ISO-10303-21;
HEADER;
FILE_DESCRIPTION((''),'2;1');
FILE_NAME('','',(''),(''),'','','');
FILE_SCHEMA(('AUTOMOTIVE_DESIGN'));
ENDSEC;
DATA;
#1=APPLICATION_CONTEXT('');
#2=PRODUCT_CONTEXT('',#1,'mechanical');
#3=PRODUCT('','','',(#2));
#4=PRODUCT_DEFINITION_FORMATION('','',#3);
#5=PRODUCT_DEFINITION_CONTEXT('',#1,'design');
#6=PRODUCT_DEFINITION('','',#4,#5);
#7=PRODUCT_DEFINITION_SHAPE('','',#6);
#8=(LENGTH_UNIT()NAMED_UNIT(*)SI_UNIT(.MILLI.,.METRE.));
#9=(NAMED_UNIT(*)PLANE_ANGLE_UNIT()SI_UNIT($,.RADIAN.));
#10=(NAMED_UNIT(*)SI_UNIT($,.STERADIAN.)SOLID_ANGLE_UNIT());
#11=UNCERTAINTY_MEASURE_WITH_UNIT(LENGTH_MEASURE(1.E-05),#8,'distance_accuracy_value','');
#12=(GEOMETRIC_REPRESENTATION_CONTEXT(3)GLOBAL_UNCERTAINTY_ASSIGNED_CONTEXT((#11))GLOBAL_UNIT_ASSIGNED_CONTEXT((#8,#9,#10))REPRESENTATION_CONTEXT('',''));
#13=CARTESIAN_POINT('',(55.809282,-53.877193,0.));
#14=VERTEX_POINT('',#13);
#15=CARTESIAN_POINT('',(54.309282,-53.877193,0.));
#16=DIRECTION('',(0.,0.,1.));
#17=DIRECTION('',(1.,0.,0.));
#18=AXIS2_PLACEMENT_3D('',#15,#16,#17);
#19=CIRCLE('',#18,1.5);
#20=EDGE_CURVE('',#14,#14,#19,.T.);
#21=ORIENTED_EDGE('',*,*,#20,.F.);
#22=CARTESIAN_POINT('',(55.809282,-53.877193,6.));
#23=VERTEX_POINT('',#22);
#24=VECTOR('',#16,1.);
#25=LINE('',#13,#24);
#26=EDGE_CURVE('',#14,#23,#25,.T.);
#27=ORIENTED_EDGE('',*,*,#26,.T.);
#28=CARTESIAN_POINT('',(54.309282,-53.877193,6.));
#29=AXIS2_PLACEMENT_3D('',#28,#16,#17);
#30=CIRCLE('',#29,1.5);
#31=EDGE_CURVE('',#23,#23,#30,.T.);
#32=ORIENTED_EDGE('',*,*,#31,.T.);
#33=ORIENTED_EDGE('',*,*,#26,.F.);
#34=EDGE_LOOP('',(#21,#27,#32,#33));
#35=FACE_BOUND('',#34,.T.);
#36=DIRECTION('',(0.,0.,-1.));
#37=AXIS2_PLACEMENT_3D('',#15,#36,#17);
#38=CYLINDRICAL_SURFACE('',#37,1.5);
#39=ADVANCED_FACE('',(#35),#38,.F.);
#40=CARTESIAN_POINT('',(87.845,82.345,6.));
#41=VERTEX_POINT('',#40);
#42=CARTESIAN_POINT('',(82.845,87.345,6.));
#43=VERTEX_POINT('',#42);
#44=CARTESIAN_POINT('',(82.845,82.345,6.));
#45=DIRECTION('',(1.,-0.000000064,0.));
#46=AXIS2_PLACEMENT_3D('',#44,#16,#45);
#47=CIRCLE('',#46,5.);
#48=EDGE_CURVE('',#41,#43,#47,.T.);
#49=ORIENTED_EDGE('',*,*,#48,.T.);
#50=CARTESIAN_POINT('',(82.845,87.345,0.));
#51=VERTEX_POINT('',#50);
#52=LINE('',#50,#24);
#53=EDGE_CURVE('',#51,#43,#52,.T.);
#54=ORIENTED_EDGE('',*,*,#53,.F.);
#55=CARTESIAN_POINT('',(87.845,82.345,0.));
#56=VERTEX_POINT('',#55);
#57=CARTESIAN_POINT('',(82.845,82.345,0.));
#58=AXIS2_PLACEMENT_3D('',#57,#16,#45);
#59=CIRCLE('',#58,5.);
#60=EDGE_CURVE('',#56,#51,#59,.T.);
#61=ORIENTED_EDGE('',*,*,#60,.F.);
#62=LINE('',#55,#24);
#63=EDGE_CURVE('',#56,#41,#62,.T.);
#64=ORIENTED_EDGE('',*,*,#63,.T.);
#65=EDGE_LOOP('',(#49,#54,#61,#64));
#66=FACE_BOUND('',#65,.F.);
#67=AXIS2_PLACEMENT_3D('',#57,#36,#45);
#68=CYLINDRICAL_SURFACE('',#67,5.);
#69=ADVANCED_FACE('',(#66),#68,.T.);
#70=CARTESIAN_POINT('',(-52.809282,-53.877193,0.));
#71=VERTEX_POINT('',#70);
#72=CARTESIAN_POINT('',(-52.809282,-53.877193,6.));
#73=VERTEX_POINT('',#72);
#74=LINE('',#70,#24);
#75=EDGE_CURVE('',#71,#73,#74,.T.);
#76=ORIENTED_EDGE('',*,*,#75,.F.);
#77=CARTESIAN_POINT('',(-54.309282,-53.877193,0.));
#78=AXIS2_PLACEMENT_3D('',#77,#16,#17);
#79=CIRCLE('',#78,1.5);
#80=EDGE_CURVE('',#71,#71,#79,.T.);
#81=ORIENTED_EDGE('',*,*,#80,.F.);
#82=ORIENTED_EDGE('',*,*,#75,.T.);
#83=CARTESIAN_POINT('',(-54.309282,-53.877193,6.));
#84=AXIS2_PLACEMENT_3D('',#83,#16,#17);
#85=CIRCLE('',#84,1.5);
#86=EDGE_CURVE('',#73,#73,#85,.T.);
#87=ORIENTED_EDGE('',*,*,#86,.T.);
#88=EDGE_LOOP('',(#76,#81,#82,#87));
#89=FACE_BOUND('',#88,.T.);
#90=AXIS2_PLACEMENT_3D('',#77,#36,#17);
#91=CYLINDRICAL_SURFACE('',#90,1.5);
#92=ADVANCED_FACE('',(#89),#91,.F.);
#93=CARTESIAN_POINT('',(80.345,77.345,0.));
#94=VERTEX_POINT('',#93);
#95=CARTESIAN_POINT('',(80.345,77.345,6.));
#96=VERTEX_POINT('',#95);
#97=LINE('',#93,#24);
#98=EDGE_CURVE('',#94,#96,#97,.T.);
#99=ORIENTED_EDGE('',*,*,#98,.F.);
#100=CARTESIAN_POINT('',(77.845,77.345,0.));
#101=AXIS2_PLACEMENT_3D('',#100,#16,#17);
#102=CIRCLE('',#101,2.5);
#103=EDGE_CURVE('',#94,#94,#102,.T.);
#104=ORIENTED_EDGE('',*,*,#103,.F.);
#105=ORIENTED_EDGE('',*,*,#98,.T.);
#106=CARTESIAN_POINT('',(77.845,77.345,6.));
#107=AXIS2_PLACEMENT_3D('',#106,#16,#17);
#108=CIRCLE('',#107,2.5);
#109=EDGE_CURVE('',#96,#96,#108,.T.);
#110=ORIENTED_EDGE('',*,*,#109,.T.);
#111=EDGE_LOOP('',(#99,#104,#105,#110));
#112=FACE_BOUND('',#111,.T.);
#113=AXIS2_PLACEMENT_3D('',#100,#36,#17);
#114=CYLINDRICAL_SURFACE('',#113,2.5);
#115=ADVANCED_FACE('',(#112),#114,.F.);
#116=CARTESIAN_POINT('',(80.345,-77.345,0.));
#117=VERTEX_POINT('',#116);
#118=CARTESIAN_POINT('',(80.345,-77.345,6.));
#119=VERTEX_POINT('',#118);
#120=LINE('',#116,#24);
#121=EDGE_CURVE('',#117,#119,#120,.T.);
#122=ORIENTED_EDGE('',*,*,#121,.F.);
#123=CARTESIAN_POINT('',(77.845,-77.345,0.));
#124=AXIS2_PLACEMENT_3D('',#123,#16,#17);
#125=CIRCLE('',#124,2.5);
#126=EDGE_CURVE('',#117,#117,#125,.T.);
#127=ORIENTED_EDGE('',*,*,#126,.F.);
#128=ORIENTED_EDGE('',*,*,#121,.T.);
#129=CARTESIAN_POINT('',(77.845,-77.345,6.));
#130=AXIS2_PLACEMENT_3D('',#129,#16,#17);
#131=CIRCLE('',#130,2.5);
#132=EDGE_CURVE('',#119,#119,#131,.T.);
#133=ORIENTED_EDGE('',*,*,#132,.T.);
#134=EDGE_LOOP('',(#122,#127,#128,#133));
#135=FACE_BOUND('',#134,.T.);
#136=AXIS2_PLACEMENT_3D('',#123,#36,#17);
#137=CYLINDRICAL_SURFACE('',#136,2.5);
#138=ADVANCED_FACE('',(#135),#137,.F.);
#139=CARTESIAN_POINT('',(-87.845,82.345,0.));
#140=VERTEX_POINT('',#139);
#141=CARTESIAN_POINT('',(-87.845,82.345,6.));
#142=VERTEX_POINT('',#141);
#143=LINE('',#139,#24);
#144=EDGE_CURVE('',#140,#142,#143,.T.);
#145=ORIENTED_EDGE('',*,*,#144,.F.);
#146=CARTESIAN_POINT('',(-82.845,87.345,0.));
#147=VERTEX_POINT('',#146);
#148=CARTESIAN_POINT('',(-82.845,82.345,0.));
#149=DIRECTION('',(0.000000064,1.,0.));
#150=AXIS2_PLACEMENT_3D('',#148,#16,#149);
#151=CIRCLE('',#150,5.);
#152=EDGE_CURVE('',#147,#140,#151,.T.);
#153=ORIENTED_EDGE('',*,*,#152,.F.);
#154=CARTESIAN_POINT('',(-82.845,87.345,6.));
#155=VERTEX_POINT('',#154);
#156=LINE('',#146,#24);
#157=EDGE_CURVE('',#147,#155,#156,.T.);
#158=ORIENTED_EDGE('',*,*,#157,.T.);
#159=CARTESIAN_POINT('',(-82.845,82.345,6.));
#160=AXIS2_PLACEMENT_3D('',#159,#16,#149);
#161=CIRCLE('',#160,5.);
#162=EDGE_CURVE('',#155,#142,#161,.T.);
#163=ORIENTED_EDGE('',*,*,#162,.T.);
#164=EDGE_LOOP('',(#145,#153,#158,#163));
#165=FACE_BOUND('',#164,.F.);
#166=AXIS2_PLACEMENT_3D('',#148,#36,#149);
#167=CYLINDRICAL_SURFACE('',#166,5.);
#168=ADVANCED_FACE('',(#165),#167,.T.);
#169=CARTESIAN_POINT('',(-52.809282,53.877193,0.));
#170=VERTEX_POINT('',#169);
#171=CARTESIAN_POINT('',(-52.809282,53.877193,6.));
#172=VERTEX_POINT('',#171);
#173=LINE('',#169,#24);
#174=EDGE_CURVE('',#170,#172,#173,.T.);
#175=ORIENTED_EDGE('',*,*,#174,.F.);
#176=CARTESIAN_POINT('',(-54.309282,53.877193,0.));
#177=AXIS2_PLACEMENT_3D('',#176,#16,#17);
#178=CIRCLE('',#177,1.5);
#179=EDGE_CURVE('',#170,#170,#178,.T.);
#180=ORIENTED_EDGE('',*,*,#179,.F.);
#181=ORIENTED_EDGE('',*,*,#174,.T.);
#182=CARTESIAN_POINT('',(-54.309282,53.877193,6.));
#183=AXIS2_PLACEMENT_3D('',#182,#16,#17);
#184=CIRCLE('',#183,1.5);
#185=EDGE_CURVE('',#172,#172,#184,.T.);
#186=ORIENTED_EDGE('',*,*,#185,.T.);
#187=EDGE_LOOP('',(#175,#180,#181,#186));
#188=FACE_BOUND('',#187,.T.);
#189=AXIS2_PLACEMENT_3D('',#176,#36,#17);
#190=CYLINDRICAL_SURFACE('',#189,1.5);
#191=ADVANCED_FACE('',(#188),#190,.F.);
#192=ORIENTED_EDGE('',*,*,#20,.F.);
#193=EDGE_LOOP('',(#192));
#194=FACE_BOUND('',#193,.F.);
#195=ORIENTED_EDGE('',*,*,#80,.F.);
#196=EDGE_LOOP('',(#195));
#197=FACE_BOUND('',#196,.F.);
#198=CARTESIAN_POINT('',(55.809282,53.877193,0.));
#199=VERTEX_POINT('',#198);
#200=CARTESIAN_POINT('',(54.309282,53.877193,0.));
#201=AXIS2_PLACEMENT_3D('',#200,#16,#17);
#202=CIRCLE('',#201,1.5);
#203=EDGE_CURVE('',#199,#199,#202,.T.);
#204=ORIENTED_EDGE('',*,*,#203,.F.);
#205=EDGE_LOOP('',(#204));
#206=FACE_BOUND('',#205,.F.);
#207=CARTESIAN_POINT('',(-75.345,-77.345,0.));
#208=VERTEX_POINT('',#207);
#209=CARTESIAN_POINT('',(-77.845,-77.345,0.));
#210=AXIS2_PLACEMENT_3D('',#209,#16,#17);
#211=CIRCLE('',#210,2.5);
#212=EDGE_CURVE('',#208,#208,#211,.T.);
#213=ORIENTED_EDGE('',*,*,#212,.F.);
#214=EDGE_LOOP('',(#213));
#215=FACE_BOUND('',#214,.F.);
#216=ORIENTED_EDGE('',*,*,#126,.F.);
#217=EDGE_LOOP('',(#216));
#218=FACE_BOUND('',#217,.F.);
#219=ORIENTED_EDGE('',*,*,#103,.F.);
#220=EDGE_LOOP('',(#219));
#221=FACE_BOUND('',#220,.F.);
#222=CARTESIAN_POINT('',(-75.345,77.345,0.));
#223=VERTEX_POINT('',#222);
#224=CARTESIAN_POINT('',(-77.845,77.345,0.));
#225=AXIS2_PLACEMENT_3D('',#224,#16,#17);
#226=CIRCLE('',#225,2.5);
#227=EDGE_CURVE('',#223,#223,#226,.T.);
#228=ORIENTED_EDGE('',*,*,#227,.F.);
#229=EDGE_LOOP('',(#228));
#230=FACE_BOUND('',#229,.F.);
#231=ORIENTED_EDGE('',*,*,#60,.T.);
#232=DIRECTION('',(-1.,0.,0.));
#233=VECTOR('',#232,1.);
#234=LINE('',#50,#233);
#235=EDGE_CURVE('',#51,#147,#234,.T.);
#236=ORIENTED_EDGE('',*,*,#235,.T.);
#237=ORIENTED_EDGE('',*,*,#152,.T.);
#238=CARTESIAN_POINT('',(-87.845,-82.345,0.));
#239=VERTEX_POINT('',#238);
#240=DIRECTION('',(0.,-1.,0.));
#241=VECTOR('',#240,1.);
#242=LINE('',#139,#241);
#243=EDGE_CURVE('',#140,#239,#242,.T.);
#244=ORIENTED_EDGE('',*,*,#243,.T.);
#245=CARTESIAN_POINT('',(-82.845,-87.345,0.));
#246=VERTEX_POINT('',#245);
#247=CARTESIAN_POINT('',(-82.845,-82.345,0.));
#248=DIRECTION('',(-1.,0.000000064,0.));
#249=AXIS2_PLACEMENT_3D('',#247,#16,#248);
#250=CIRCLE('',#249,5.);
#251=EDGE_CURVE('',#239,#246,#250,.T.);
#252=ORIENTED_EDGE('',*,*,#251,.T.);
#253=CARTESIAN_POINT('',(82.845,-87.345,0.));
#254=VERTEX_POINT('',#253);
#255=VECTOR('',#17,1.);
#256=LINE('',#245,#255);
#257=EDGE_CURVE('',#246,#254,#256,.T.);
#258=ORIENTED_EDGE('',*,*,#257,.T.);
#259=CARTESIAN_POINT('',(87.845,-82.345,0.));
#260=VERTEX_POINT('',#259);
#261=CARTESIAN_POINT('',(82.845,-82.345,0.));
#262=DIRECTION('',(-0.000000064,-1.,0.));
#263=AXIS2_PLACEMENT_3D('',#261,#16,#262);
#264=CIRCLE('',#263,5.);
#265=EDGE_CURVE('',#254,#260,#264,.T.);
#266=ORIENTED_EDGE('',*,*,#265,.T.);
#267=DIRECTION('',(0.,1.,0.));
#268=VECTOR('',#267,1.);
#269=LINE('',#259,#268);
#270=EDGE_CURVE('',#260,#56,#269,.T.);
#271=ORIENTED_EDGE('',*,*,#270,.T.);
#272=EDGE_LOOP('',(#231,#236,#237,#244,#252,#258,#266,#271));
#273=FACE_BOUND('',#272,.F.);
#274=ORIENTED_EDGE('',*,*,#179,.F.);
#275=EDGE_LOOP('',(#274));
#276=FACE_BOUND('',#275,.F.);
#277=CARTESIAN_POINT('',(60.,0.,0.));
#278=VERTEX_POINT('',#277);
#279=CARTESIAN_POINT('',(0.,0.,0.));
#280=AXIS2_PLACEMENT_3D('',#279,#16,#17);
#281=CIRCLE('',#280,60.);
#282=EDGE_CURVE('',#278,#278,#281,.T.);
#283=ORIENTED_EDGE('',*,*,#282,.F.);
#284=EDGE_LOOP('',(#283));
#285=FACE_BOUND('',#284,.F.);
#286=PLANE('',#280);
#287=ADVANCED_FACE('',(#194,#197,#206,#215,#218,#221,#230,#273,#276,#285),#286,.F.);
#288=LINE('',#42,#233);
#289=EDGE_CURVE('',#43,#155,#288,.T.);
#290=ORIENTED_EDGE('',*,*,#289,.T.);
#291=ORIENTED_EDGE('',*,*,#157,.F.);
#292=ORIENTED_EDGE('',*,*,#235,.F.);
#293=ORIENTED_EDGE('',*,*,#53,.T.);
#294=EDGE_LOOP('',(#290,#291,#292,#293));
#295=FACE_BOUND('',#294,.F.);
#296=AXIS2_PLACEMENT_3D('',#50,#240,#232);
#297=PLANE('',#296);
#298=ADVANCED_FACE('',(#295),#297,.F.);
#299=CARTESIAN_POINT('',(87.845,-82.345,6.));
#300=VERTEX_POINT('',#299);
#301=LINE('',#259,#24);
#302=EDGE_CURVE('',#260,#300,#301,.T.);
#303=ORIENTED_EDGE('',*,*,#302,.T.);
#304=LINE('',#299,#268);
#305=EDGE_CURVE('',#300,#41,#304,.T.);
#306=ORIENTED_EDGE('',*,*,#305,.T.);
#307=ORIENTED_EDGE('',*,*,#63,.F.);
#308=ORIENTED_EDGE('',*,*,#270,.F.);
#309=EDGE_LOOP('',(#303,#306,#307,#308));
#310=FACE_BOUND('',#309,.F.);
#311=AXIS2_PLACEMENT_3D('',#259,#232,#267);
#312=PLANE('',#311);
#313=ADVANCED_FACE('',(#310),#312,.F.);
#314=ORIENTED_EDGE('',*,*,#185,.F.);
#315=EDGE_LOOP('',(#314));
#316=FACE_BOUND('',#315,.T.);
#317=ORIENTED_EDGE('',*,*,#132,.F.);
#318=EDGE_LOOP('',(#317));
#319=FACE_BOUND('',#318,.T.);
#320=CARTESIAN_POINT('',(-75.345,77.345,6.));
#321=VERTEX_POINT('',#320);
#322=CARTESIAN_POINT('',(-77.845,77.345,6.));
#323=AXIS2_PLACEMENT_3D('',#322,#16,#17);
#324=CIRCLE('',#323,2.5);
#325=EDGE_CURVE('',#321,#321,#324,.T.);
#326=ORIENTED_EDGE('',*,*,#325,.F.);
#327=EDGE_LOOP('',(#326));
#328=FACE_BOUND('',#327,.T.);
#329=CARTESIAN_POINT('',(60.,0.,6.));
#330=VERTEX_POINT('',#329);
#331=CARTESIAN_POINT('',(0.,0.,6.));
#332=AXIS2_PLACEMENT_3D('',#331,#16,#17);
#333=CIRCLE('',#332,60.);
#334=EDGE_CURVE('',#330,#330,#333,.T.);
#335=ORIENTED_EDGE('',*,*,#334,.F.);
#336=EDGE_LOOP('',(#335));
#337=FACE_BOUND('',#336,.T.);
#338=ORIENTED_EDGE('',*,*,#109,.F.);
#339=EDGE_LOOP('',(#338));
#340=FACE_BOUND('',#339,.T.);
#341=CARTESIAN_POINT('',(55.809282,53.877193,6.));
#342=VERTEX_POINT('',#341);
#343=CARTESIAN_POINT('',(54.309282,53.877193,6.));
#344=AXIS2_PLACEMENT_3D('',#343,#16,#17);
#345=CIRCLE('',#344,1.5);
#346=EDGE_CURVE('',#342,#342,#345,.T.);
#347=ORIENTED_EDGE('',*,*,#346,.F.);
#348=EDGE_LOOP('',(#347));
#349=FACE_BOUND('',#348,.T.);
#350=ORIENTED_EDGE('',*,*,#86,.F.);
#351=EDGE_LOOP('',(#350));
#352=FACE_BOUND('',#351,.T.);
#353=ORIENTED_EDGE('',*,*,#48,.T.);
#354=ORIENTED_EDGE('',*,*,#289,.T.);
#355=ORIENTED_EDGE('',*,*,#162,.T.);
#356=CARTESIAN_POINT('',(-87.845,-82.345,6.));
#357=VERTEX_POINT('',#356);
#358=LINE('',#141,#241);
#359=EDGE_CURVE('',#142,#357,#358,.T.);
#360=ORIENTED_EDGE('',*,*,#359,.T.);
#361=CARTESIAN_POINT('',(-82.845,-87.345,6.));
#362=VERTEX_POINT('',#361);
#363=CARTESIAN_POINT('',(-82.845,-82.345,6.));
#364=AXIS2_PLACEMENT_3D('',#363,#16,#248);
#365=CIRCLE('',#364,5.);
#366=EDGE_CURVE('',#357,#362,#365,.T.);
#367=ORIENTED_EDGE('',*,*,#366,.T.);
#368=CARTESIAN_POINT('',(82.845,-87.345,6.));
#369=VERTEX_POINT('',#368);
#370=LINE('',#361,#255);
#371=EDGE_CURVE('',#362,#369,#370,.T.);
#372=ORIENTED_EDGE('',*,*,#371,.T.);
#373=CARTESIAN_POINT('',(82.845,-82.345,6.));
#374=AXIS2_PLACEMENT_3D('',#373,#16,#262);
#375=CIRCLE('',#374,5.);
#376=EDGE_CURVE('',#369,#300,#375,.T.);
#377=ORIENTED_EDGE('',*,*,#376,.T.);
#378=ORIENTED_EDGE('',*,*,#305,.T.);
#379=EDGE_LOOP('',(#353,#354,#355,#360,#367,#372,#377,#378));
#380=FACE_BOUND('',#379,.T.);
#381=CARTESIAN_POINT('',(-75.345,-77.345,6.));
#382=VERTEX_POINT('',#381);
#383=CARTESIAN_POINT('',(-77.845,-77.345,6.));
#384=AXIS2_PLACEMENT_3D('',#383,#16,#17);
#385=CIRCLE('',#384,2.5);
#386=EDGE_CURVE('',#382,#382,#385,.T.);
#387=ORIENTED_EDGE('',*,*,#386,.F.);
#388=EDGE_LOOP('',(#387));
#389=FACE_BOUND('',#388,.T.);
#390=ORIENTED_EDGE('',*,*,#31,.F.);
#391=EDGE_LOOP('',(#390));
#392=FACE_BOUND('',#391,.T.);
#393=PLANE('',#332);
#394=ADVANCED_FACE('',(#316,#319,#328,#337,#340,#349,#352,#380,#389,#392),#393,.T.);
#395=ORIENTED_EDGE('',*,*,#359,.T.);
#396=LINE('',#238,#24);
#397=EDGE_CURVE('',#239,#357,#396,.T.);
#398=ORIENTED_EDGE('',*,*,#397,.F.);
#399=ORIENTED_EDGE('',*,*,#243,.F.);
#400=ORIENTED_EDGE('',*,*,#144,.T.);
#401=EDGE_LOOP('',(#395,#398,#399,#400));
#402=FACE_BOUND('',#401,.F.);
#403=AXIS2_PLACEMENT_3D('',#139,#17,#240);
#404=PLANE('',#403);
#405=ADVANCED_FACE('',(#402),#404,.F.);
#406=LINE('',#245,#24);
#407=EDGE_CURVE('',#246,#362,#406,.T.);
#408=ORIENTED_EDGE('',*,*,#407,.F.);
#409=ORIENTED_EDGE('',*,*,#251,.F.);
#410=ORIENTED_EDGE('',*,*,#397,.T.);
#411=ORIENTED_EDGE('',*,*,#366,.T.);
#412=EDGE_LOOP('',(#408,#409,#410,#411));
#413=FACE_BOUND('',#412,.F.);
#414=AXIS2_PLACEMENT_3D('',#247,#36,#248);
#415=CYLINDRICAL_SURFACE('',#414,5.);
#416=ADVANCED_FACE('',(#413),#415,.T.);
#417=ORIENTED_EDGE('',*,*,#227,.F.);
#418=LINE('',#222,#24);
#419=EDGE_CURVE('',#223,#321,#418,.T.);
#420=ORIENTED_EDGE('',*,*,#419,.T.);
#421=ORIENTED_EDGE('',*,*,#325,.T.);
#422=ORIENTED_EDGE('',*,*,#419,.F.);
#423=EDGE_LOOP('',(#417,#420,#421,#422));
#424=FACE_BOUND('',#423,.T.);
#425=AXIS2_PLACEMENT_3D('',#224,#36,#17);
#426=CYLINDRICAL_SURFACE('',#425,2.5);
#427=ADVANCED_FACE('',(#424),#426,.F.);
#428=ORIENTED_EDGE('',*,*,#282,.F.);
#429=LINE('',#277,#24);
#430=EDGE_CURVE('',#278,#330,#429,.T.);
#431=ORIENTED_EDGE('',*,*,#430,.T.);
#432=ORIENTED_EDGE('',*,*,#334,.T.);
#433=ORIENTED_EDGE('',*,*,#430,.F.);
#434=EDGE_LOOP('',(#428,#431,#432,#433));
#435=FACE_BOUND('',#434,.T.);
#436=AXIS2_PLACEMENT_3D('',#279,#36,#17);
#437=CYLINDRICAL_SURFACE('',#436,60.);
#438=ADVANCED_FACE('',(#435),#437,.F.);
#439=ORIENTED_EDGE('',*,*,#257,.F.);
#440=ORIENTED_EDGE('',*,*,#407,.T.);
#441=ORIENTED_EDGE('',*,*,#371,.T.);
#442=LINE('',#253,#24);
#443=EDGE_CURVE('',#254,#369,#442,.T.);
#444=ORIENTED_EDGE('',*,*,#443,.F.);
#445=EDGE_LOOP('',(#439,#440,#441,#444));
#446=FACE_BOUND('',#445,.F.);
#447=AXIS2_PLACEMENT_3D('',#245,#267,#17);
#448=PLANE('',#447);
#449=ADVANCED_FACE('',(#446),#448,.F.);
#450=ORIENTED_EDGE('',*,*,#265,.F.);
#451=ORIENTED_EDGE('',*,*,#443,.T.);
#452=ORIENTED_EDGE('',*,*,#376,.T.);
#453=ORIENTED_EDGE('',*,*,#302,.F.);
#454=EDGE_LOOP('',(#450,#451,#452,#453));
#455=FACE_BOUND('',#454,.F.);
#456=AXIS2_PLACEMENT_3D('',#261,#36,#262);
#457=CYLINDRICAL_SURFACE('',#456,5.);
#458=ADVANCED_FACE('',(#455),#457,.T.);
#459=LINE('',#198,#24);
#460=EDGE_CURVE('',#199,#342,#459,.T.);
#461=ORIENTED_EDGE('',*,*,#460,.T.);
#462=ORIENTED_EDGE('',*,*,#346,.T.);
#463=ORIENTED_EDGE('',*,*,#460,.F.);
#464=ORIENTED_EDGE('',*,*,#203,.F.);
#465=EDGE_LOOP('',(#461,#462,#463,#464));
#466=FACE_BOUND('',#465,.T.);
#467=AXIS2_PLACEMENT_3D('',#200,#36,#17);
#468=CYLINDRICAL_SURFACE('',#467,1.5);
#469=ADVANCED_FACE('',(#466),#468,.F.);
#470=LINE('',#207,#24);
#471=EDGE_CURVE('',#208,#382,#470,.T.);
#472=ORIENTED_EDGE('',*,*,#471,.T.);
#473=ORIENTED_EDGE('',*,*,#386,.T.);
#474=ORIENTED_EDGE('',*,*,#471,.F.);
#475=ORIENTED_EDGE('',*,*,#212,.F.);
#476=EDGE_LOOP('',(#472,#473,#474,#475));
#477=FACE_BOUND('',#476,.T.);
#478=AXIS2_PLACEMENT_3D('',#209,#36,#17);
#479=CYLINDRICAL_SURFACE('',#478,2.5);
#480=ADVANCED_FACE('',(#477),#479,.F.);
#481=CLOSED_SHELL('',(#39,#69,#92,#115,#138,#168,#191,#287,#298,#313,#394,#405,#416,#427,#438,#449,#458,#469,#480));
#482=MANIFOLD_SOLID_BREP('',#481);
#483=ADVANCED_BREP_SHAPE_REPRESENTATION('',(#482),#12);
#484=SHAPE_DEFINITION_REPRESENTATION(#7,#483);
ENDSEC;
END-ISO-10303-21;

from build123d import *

# Parameters (mm, degrees)
F0_R     = 2.5
F0_R_2   = 1.5
F0_R_3   = 60
F1_DEPTH = 6


with BuildPart() as f1:
    # F0 (on Top) → F1 (new body)
    with BuildSketch(Plane.XY):
        with BuildLine():
            Line((82.845, 87.345), (-82.845, 87.345))
            ThreePointArc((-82.845, 87.345), (-86.380534, 85.880534), (-87.845, 82.345))
            Line((-87.845, 82.345), (-87.845, -82.345))
            ThreePointArc((-87.845, -82.345), (-86.380534, -85.880534), (-82.845, -87.345))
            Line((-82.845, -87.345), (82.845, -87.345))
            ThreePointArc((82.845, -87.345), (86.380534, -85.880534), (87.845, -82.345))
            Line((87.845, -82.345), (87.845, 82.345))
            ThreePointArc((87.845, 82.345), (86.380534, 85.880534), (82.845, 87.345))
        make_face()
        with Locations((-77.845, -77.345)):
            Circle(F0_R, mode=Mode.SUBTRACT)
        with Locations((-54.309282, -53.877193)):
            Circle(F0_R_2, mode=Mode.SUBTRACT)
        with Locations((77.845, -77.345)):
            Circle(F0_R, mode=Mode.SUBTRACT)
        with Locations((54.309282, -53.877193)):
            Circle(F0_R_2, mode=Mode.SUBTRACT)
        with Locations((-54.309282, 53.877193)):
            Circle(F0_R_2, mode=Mode.SUBTRACT)
        with Locations((-77.845, 77.345)):
            Circle(F0_R, mode=Mode.SUBTRACT)
        Circle(F0_R_3, mode=Mode.SUBTRACT)
        with Locations((54.309282, 53.877193)):
            Circle(F0_R_2, mode=Mode.SUBTRACT)
        with Locations((77.845, 77.345)):
            Circle(F0_R, mode=Mode.SUBTRACT)
    extrude(amount=F1_DEPTH)


solid = f1.part
